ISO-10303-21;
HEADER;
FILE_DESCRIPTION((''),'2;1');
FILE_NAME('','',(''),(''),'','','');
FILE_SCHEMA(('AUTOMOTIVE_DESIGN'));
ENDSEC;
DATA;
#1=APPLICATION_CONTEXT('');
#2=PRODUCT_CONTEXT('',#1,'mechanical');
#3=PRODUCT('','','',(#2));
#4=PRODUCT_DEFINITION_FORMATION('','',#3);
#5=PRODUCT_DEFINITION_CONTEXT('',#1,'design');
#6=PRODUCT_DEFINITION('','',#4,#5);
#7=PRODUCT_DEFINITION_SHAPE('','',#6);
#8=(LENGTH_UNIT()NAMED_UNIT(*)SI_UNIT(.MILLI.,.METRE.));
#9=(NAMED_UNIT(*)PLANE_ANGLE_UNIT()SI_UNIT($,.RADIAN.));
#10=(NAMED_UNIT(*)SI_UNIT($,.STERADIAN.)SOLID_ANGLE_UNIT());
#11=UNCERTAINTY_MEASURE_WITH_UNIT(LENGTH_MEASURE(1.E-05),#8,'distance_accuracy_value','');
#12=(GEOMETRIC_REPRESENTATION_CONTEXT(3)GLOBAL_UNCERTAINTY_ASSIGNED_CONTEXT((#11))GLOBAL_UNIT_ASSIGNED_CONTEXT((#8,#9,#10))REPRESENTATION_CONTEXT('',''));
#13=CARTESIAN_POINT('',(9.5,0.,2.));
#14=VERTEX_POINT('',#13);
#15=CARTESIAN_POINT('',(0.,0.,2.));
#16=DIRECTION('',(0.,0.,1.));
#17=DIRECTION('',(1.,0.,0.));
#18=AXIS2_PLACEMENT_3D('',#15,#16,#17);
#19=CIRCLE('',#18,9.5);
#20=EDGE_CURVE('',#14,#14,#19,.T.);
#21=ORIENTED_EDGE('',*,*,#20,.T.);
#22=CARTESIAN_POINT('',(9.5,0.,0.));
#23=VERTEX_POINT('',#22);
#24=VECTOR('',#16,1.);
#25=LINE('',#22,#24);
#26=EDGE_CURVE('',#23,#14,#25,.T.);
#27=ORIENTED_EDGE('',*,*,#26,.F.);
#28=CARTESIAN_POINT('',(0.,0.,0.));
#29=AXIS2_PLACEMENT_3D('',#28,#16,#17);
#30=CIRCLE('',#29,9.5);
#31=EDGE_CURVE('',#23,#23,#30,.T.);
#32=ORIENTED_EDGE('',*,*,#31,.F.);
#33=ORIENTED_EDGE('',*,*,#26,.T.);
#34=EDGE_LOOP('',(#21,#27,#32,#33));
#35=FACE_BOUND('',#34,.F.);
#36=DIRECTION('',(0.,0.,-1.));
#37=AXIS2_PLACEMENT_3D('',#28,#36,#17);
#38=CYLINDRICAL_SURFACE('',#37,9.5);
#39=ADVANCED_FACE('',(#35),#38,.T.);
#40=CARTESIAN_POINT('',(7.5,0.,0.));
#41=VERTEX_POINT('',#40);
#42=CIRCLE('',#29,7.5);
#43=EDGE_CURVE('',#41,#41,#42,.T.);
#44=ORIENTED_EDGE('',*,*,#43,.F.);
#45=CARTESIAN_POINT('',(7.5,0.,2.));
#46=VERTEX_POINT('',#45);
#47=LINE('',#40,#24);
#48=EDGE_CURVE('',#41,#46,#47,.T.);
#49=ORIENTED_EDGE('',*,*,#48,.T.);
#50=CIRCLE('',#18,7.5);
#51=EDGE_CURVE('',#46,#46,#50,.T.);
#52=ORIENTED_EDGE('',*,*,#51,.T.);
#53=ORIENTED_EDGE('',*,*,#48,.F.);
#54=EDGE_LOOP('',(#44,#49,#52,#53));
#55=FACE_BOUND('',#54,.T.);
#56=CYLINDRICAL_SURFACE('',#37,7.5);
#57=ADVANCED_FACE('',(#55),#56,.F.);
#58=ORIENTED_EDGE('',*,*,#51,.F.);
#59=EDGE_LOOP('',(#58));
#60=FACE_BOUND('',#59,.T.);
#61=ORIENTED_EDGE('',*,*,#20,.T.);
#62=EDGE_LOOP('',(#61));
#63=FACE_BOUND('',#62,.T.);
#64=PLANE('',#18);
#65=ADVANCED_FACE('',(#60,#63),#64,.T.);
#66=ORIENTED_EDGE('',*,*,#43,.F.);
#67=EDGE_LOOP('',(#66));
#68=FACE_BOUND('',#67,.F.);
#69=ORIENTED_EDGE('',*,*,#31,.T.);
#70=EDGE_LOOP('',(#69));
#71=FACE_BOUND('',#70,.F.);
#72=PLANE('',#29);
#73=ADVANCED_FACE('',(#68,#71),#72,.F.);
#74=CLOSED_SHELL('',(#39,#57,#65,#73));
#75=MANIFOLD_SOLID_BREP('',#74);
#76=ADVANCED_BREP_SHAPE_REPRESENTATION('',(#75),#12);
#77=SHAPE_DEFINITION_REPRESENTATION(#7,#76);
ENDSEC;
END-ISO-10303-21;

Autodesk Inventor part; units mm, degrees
ref_plane "YZ Plane" through (0, 0, 0) normal (1, 0, 0) x (0, 1, 0)
ref_plane "XZ Plane" through (0, 0, 0) normal (0, 1, 0) x (-1, 0, 0)
ref_plane "XY Plane" through (0, 0, 0) normal (0, 0, 1) x (1, 0, 0)
sketch "Sketch1" plane through (0, 0, 0) normal (0, 0, 1) x (1, 0, 0)
  circle A0 centre (0, 0) radius 9.5
  circle A1 centre (0, 0) radius 7.5
  dimension "d0" = 19
  dimension "d1" = 15
extrude "Extrusion1" add sketch "Sketch1" along normal blind 2
properties part number "2mm 0.5in Hex Spacer"
